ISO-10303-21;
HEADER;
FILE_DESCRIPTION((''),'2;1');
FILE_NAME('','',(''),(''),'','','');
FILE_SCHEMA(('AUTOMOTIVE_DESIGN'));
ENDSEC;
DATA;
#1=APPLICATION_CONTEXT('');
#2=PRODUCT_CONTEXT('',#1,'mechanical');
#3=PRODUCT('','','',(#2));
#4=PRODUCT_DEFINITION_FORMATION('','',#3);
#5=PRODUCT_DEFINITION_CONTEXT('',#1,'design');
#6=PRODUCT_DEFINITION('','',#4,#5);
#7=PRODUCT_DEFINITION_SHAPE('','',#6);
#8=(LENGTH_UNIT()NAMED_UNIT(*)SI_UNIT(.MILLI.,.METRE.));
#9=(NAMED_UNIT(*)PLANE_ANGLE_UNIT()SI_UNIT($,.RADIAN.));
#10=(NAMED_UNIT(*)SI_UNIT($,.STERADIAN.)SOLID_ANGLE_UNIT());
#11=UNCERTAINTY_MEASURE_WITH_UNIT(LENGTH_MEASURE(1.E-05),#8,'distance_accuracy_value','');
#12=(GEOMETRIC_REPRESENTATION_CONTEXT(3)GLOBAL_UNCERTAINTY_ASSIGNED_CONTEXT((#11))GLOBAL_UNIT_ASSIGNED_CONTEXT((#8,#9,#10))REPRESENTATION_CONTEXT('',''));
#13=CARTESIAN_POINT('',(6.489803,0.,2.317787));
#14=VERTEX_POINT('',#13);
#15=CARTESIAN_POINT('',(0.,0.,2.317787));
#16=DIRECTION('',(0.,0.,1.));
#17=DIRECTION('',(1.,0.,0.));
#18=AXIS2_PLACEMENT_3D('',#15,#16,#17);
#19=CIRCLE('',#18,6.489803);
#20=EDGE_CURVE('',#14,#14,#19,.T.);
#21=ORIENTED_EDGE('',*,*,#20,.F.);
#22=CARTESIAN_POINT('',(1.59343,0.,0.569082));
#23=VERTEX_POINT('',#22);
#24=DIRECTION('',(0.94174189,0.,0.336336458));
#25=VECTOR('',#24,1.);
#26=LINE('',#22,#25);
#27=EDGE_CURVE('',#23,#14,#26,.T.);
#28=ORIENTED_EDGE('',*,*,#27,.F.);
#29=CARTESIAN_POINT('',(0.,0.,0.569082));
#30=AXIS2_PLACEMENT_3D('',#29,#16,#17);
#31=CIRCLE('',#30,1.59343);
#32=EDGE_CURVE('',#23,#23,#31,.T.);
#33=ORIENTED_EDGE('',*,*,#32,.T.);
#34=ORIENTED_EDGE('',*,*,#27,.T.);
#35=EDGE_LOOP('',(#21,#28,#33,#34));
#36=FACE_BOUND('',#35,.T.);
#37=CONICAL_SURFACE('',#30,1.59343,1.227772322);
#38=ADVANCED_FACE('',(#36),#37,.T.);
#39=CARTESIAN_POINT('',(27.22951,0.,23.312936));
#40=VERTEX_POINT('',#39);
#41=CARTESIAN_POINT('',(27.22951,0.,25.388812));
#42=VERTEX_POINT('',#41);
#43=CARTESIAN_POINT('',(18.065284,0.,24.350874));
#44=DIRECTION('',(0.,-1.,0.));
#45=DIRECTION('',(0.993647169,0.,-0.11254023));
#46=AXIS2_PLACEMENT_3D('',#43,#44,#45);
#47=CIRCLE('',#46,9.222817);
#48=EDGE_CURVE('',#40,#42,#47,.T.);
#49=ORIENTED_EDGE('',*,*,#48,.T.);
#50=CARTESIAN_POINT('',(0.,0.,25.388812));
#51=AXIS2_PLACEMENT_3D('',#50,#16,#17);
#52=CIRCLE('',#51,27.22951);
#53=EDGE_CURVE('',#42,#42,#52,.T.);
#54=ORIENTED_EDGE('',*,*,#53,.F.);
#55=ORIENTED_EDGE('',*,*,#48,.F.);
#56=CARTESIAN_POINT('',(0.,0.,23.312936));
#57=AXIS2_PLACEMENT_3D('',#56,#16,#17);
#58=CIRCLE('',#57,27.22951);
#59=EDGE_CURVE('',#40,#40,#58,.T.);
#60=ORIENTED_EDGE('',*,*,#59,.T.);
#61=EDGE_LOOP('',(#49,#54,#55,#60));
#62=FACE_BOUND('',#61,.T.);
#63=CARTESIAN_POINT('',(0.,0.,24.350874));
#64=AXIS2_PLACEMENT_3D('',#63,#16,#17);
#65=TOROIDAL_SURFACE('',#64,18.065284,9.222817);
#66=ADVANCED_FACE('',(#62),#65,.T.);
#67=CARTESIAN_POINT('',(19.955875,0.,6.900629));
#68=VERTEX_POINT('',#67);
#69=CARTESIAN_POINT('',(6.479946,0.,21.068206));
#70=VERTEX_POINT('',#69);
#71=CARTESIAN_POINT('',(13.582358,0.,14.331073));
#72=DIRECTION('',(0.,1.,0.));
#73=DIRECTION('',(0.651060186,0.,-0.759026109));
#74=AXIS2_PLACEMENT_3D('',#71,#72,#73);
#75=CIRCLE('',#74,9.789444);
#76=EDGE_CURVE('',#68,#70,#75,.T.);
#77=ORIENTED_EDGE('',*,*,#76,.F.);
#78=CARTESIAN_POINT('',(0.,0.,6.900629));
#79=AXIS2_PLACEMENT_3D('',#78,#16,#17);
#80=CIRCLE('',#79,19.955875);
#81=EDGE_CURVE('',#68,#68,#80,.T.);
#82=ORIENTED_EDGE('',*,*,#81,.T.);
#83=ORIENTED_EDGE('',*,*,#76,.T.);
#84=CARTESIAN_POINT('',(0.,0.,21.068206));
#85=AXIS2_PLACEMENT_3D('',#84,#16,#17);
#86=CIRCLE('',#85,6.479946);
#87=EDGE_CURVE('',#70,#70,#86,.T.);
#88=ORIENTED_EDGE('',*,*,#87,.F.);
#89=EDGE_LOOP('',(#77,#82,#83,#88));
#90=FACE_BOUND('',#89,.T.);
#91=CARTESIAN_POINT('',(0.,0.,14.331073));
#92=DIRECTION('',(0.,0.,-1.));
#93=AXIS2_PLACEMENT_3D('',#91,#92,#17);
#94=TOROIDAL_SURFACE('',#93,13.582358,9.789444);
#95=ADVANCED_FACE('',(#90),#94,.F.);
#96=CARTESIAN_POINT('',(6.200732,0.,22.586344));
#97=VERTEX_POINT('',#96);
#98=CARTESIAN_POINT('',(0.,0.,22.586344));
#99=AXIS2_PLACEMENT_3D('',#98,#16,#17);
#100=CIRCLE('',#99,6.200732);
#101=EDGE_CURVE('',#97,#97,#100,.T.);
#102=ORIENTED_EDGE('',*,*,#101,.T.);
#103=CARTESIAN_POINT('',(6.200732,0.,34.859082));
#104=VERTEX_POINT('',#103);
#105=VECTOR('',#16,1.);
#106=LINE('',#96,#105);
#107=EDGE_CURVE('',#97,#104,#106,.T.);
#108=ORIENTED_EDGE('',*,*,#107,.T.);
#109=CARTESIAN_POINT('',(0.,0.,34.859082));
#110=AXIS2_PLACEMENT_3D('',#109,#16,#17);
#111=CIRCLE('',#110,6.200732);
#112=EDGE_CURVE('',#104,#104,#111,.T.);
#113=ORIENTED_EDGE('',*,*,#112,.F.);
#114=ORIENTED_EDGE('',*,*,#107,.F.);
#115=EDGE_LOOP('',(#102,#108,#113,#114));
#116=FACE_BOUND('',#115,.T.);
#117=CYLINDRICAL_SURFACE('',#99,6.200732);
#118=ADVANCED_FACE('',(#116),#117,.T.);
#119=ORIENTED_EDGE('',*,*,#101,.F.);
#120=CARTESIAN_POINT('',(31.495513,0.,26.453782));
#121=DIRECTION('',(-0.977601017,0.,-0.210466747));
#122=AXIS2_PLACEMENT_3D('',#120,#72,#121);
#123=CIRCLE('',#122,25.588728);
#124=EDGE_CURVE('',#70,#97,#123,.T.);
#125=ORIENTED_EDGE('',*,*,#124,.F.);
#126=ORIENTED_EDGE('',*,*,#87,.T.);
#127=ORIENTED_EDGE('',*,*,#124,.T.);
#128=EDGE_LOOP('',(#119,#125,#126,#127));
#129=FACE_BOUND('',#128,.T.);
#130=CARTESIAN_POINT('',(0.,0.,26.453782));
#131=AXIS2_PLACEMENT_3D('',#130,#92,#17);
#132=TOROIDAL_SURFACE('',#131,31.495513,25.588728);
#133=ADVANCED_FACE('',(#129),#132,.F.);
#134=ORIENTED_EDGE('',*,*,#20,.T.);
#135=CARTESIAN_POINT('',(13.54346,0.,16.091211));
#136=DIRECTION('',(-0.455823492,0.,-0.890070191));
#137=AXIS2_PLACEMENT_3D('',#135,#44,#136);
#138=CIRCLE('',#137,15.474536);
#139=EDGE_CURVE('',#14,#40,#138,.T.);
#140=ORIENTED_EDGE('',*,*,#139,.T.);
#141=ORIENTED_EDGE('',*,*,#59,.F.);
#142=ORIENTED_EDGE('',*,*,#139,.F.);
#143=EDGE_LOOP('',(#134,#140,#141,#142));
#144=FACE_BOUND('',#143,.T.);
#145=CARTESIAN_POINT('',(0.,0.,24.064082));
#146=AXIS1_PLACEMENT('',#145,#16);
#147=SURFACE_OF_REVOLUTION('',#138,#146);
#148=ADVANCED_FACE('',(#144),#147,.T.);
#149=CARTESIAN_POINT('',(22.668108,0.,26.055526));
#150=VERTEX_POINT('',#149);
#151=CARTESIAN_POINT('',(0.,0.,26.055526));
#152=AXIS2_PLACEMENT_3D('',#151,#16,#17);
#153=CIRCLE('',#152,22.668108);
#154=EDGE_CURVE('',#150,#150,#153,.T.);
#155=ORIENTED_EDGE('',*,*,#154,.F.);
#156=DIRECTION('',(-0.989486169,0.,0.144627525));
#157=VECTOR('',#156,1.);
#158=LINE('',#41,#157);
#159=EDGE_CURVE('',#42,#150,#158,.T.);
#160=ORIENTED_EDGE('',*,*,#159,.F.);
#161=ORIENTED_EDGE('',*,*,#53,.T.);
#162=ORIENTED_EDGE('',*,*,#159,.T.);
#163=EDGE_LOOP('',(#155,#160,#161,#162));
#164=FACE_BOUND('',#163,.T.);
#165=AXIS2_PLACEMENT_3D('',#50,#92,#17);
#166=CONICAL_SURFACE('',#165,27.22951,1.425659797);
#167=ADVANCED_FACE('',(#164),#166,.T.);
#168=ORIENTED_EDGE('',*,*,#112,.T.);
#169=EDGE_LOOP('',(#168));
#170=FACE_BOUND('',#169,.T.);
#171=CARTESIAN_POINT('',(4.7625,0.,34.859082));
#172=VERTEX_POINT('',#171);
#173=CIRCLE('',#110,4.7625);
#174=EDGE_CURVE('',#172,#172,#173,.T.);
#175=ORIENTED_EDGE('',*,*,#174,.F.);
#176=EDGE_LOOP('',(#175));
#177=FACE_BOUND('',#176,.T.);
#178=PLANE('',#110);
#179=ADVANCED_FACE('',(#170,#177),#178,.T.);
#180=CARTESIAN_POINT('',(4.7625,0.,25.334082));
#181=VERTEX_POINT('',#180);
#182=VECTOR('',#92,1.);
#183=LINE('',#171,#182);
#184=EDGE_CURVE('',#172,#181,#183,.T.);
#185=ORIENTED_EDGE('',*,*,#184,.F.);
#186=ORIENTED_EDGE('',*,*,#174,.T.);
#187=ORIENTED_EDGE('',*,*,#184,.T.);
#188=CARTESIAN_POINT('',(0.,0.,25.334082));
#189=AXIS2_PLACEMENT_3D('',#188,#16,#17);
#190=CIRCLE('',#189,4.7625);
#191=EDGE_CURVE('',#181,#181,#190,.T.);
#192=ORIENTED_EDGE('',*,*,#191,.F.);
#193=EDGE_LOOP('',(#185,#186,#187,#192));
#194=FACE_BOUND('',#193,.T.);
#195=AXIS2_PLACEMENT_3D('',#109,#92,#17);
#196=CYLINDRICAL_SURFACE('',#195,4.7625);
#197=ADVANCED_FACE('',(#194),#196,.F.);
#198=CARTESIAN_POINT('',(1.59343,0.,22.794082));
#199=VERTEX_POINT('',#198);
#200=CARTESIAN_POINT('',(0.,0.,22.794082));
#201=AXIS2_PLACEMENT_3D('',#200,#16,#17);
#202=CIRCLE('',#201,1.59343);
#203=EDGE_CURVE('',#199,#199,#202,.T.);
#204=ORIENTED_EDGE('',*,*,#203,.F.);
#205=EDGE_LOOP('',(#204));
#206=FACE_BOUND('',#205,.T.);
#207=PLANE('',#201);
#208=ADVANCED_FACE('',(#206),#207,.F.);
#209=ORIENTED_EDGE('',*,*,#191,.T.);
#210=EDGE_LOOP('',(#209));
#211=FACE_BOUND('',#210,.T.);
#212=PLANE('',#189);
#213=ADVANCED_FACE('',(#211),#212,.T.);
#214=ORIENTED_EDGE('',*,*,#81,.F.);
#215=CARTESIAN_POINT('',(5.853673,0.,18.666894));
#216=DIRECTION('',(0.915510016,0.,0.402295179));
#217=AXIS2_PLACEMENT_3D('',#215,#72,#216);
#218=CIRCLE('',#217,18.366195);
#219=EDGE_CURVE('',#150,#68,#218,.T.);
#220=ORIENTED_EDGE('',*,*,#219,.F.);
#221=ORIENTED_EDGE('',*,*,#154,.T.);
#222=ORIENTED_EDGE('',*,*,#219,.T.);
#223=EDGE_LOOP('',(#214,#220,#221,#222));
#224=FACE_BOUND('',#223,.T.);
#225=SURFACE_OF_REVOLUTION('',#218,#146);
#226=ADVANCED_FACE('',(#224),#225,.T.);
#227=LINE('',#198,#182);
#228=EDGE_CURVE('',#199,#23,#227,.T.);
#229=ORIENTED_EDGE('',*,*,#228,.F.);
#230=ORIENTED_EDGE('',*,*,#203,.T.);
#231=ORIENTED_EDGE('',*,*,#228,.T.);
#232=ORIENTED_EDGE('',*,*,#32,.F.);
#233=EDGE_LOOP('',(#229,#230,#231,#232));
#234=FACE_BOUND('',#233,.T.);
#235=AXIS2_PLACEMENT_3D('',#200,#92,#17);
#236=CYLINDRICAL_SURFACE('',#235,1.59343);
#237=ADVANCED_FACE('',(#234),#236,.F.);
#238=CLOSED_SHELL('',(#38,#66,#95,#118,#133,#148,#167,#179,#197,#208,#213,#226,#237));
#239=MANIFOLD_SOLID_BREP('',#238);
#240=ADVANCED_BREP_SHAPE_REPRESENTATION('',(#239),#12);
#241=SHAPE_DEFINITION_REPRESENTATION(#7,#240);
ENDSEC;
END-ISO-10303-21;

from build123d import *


with BuildPart() as f1:
    # F0 (on Front) → F1 (revolve)
    with BuildSketch(Plane.XZ):
        with BuildLine():
            Line((0, 25.334082), (0, 22.794082))
            Line((0, 22.794082), (1.59343, 22.794082))
            Line((1.59343, 22.794082), (1.59343, 0.569082))
            Line((1.59343, 0.569082), (6.489803, 2.317787))
            ThreePointArc((6.489803, 2.317787), (24.552376, 5.216237), (27.22951, 23.312936))
            ThreePointArc((27.22951, 23.312936), (27.288101, 24.350874), (27.22951, 25.388812))
            Line((27.22951, 25.388812), (22.668108, 26.055526))
            ThreePointArc((22.668108, 26.055526), (24.038478, 16.092022), (19.955875, 6.900629))
            ThreePointArc((19.955875, 6.900629), (6.489201, 7.584196), (6.479946, 21.068206))
            ThreePointArc((6.479946, 21.068206), (6.328889, 21.825169), (6.200732, 22.586344))
            Line((6.200732, 22.586344), (6.200732, 34.859082))
            Line((6.200732, 34.859082), (4.7625, 34.859082))
            Line((4.7625, 34.859082), (4.7625, 25.334082))
            Line((4.7625, 25.334082), (0, 25.334082))
        make_face()
    revolve(axis=Axis((0, 0, 24.064082), (0, 0, 1)))


solid = f1.part
